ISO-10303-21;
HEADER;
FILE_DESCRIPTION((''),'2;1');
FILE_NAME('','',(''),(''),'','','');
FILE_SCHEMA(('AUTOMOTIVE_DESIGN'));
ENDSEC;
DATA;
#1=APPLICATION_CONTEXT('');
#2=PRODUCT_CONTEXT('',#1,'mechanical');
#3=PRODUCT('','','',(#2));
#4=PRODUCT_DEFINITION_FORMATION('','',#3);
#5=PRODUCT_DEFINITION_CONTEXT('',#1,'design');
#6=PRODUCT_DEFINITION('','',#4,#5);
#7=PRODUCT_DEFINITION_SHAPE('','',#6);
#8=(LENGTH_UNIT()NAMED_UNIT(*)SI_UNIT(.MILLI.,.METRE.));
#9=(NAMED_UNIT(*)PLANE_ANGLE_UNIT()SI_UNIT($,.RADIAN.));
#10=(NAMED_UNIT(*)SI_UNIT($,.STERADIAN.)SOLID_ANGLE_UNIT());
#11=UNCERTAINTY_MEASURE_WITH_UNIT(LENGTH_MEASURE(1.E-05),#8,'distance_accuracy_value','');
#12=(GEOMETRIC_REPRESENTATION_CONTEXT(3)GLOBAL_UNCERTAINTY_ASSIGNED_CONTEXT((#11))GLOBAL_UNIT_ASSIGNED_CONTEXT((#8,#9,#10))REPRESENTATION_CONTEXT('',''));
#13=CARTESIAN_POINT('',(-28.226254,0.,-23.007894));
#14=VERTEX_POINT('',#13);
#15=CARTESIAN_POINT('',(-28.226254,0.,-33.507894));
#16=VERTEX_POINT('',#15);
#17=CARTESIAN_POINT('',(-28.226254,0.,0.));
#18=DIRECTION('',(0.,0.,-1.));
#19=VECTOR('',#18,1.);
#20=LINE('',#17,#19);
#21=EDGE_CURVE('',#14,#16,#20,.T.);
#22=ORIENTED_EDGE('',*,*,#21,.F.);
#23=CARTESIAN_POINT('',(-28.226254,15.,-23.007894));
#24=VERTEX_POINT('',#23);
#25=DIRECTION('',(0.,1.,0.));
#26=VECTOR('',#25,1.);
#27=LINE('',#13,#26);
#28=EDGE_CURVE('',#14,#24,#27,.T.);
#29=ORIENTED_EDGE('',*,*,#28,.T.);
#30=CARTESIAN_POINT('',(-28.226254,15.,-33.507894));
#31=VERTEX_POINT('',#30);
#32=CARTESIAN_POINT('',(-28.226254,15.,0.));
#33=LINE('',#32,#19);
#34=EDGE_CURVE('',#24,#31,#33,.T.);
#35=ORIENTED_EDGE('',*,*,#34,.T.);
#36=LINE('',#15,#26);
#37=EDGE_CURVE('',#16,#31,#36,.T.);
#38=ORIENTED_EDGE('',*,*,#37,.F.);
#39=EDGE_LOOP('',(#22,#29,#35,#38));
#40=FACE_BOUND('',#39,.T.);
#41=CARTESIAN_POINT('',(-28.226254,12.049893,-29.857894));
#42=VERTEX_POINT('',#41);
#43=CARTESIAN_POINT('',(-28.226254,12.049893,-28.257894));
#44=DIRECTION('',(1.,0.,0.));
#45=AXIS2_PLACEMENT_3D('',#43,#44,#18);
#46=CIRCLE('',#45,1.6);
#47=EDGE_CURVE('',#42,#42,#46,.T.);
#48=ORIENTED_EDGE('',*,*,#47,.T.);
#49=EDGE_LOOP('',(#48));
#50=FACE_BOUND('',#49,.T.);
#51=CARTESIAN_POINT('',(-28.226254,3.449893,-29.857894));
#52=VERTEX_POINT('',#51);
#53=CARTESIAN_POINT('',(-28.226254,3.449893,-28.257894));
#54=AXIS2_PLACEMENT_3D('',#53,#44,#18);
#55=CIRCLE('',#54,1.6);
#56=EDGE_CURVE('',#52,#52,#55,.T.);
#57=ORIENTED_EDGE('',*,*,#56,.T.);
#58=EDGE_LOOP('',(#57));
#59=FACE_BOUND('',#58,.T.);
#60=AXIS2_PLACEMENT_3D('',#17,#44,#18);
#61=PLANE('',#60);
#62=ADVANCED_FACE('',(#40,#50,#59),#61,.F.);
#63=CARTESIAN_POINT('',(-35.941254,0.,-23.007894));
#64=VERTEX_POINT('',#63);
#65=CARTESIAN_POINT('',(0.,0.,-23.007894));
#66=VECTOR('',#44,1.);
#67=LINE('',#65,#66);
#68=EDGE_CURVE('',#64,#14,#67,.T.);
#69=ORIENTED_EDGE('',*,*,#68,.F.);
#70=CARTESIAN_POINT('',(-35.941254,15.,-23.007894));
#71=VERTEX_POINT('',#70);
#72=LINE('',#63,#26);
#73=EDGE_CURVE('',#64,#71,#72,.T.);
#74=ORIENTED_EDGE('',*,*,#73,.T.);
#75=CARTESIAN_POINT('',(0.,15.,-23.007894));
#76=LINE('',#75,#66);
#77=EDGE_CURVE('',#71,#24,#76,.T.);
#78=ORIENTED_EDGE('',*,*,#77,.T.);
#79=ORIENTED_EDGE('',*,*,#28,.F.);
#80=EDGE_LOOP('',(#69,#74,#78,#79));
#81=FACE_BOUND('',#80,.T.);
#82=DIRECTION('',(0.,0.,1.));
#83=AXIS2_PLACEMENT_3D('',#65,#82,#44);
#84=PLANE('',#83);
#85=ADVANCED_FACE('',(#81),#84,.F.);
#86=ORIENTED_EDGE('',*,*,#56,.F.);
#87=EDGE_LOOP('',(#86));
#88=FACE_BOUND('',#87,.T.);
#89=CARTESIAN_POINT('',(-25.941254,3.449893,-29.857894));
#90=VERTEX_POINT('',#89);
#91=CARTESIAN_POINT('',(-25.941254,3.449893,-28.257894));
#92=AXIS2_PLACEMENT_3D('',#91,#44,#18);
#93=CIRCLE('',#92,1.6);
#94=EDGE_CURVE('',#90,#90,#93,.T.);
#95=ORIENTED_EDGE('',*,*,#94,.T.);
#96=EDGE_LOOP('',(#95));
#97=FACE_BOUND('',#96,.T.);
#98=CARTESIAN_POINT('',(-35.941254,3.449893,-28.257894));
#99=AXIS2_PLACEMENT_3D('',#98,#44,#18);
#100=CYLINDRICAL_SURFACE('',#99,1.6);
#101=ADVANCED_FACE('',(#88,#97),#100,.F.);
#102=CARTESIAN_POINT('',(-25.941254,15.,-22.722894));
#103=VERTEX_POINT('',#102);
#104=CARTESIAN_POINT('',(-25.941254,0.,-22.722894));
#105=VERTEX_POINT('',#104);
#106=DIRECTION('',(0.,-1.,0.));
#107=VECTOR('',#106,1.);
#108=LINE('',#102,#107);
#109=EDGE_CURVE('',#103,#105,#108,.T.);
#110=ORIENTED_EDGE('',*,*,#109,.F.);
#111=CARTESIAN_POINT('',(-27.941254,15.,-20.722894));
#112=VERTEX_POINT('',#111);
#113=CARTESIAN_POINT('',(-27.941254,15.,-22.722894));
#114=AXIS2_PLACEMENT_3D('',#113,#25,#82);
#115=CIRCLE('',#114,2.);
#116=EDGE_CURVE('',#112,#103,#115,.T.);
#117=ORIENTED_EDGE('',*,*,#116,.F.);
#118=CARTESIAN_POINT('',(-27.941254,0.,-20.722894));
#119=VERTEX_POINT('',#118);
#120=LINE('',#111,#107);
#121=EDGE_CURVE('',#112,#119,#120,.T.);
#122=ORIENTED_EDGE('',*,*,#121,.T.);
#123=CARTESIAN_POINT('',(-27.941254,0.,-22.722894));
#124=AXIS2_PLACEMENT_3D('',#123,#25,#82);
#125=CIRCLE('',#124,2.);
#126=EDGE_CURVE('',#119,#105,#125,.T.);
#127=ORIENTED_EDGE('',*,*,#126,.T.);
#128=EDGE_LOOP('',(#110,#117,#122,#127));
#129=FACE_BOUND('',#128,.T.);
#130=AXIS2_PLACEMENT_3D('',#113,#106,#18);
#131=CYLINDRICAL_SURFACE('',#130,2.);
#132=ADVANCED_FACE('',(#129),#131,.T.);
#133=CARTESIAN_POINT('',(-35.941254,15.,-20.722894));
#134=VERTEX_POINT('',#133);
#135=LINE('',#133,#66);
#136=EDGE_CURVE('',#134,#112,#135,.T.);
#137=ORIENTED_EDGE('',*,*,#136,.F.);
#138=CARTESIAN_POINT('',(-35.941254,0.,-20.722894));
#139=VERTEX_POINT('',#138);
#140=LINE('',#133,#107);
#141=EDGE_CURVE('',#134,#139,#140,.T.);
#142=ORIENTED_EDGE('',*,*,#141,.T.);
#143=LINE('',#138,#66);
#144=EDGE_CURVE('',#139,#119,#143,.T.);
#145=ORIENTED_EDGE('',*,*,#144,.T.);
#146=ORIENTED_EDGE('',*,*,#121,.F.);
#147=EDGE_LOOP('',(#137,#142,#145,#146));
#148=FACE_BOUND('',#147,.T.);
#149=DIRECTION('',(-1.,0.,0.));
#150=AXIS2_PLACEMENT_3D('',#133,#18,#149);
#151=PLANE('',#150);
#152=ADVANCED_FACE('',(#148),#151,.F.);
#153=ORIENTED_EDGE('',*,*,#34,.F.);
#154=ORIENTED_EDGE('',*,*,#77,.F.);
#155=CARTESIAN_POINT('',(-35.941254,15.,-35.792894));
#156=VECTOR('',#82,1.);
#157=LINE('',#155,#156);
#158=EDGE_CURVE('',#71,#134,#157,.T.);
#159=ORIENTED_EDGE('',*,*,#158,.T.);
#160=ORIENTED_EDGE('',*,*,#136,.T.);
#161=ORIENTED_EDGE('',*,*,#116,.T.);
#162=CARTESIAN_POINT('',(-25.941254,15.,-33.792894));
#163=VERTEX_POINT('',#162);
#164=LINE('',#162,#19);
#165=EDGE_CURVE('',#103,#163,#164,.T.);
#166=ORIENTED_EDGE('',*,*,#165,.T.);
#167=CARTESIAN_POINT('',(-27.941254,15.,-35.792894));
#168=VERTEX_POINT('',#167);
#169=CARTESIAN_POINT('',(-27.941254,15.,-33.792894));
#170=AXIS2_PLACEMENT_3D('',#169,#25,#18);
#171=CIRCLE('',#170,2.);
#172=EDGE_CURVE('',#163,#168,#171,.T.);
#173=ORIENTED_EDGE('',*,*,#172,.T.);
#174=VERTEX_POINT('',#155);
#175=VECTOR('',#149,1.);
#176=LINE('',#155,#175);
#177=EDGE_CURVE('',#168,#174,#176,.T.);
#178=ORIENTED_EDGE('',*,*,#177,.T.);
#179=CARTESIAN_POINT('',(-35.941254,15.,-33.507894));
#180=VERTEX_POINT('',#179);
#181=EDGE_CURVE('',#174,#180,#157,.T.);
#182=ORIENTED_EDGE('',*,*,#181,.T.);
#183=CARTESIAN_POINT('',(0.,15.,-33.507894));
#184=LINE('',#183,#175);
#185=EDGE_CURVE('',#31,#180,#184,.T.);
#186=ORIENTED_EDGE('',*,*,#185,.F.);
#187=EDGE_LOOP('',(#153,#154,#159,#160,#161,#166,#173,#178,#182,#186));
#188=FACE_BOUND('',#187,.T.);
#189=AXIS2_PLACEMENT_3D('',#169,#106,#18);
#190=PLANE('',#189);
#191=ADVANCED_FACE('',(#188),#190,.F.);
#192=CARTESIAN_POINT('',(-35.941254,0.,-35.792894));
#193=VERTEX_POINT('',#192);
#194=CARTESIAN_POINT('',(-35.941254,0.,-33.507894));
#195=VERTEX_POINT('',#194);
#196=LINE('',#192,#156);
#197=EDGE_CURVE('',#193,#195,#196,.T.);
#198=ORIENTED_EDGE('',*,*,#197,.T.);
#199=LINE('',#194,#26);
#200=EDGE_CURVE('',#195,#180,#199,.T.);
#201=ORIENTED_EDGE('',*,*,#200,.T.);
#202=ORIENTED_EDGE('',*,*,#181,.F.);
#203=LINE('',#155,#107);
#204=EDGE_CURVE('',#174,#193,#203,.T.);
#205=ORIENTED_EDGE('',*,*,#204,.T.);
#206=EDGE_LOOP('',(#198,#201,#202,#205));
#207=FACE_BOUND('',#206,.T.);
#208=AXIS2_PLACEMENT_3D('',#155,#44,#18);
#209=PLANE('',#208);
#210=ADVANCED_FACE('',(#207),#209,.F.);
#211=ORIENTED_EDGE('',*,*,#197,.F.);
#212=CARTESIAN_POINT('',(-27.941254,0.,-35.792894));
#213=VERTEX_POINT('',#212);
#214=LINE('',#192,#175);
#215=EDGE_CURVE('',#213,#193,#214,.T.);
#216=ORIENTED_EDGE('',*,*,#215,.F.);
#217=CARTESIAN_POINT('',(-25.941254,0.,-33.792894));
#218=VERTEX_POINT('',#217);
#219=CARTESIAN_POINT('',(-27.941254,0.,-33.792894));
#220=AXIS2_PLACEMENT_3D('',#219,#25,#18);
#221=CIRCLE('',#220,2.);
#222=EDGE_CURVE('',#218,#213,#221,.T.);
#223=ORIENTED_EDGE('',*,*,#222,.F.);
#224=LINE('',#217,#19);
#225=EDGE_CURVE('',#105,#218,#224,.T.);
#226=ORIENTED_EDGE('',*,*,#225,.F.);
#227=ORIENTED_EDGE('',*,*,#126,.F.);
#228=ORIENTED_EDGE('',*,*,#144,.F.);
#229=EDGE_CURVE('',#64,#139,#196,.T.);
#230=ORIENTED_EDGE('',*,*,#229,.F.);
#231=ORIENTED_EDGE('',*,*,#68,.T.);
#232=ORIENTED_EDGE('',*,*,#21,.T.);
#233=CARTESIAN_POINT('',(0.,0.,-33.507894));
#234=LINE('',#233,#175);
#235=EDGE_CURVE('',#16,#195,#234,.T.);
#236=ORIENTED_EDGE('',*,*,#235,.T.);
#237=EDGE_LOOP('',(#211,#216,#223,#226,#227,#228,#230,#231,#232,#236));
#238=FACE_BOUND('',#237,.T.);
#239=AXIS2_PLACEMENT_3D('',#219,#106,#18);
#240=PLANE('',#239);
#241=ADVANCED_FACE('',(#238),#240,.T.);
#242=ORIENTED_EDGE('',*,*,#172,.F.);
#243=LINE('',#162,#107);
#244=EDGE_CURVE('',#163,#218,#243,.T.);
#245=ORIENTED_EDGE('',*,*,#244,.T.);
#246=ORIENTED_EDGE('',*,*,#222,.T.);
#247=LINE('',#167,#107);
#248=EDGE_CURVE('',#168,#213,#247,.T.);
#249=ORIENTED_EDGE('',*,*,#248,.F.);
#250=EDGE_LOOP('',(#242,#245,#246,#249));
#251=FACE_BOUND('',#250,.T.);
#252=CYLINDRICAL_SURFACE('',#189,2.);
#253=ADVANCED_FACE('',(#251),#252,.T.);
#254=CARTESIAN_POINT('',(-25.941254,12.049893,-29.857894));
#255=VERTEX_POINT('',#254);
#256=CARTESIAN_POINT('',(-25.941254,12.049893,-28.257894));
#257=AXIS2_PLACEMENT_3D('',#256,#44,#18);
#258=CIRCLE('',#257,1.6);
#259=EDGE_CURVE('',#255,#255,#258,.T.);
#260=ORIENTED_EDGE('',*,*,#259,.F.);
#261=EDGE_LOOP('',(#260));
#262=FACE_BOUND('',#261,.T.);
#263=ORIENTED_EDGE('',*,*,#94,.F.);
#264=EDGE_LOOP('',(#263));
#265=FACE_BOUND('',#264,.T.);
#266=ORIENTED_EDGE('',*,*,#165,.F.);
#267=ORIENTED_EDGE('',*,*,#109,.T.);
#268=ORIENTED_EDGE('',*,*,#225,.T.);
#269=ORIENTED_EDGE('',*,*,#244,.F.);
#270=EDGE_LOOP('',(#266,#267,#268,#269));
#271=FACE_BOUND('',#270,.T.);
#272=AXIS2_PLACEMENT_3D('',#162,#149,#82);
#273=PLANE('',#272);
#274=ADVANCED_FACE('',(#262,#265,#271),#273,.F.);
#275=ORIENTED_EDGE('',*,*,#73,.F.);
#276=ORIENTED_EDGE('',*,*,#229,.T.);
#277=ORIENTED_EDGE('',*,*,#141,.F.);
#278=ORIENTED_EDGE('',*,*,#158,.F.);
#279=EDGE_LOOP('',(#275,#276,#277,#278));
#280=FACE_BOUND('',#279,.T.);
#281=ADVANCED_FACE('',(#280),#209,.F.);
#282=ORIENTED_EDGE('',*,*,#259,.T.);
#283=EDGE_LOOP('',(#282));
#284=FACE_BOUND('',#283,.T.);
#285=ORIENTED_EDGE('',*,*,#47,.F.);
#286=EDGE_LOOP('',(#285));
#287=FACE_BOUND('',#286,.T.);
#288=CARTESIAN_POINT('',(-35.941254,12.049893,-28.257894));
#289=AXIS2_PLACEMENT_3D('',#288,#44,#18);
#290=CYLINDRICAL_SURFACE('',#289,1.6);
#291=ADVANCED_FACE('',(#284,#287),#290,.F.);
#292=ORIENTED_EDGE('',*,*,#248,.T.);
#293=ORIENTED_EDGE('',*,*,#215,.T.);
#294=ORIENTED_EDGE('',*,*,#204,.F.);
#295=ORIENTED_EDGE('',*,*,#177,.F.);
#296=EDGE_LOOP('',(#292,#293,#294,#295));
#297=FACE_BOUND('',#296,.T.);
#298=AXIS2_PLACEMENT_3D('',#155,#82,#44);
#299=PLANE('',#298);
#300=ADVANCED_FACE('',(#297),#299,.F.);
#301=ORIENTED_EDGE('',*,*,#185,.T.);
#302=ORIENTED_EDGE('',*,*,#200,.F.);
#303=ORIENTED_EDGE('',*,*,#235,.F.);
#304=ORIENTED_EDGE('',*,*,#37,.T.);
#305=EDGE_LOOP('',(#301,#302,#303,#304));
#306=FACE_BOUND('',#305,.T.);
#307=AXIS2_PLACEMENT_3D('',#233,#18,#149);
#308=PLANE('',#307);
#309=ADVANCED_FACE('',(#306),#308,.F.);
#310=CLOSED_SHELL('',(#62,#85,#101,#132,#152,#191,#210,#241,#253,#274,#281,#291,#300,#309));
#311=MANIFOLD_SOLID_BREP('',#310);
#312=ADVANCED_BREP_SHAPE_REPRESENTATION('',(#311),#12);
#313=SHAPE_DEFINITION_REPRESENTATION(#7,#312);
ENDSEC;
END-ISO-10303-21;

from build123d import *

# Parameters (mm, degrees)
EXTRUDE_4_DEPTH     = 15
SKETCH_6_W          = 5.43
SKETCH_6_H          = 10.5
CUT_EXTRUDE_2_DEPTH = 15
SKETCH_7_W          = 2.285
SKETCH_7_H          = 10.5
CUT_EXTRUDE_3_DEPTH = 15
SKETCH_8_R          = 1.6
CUT_EXTRUDE_4_DEPTH = 10


with BuildPart() as part:
    # 草图1 → 凸台-拉伸4 (new body)
    with BuildSketch(Plane(origin=(0, 0, 0), x_dir=(1, 0, 0), z_dir=(0, 1, 0))):
        with BuildLine():
            Line((-35.94125392, 35.792894198), (-35.94125392, 20.722894198))
            Line((-35.94125392, 20.722894198), (-27.94125392, 20.722894198))
            ThreePointArc((-27.94125392, 20.722894198), (-26.527040358, 21.308680636), (-25.94125392, 22.722894198))
            Line((-25.94125392, 22.722894198), (-25.94125392, 33.792894198))
            ThreePointArc((-25.94125392, 33.792894198), (-26.527040358, 35.207107761), (-27.94125392, 35.792894198))
            Line((-27.94125392, 35.792894198), (-35.94125392, 35.792894198))
        make_face()
    extrude(amount=EXTRUDE_4_DEPTH)

    # 草图6 → 切除-拉伸2 (cut)
    with BuildSketch(Plane(origin=(0, 15, 0), x_dir=(1, 0, 0), z_dir=(0, 1, 0))):
        with Locations((-30.94125392, 28.257894198)):
            Rectangle(SKETCH_6_W, SKETCH_6_H)
    extrude(amount=-CUT_EXTRUDE_2_DEPTH, mode=Mode.SUBTRACT)

    # 草图7 → 切除-拉伸3 (cut)
    with BuildSketch(Plane(origin=(0, 15, 0), x_dir=(1, 0, 0), z_dir=(0, 1, 0))):
        with Locations((-34.79875392, 28.257894198)):
            Rectangle(SKETCH_7_W, SKETCH_7_H)
    extrude(amount=-CUT_EXTRUDE_3_DEPTH, mode=Mode.SUBTRACT)

    # 草图8 → 切除-拉伸4 (cut)
    with BuildSketch(Plane(origin=(-25.94125392, 0, 0), x_dir=(0, 0, -1), z_dir=(1, 0, 0))):
        with Locations((28.257894198, 12.049892986)):
            Circle(SKETCH_8_R)
        with Locations((28.257894198, 3.449892986)):
            Circle(SKETCH_8_R)
    extrude(amount=-CUT_EXTRUDE_4_DEPTH, mode=Mode.SUBTRACT)


solid = part.part
